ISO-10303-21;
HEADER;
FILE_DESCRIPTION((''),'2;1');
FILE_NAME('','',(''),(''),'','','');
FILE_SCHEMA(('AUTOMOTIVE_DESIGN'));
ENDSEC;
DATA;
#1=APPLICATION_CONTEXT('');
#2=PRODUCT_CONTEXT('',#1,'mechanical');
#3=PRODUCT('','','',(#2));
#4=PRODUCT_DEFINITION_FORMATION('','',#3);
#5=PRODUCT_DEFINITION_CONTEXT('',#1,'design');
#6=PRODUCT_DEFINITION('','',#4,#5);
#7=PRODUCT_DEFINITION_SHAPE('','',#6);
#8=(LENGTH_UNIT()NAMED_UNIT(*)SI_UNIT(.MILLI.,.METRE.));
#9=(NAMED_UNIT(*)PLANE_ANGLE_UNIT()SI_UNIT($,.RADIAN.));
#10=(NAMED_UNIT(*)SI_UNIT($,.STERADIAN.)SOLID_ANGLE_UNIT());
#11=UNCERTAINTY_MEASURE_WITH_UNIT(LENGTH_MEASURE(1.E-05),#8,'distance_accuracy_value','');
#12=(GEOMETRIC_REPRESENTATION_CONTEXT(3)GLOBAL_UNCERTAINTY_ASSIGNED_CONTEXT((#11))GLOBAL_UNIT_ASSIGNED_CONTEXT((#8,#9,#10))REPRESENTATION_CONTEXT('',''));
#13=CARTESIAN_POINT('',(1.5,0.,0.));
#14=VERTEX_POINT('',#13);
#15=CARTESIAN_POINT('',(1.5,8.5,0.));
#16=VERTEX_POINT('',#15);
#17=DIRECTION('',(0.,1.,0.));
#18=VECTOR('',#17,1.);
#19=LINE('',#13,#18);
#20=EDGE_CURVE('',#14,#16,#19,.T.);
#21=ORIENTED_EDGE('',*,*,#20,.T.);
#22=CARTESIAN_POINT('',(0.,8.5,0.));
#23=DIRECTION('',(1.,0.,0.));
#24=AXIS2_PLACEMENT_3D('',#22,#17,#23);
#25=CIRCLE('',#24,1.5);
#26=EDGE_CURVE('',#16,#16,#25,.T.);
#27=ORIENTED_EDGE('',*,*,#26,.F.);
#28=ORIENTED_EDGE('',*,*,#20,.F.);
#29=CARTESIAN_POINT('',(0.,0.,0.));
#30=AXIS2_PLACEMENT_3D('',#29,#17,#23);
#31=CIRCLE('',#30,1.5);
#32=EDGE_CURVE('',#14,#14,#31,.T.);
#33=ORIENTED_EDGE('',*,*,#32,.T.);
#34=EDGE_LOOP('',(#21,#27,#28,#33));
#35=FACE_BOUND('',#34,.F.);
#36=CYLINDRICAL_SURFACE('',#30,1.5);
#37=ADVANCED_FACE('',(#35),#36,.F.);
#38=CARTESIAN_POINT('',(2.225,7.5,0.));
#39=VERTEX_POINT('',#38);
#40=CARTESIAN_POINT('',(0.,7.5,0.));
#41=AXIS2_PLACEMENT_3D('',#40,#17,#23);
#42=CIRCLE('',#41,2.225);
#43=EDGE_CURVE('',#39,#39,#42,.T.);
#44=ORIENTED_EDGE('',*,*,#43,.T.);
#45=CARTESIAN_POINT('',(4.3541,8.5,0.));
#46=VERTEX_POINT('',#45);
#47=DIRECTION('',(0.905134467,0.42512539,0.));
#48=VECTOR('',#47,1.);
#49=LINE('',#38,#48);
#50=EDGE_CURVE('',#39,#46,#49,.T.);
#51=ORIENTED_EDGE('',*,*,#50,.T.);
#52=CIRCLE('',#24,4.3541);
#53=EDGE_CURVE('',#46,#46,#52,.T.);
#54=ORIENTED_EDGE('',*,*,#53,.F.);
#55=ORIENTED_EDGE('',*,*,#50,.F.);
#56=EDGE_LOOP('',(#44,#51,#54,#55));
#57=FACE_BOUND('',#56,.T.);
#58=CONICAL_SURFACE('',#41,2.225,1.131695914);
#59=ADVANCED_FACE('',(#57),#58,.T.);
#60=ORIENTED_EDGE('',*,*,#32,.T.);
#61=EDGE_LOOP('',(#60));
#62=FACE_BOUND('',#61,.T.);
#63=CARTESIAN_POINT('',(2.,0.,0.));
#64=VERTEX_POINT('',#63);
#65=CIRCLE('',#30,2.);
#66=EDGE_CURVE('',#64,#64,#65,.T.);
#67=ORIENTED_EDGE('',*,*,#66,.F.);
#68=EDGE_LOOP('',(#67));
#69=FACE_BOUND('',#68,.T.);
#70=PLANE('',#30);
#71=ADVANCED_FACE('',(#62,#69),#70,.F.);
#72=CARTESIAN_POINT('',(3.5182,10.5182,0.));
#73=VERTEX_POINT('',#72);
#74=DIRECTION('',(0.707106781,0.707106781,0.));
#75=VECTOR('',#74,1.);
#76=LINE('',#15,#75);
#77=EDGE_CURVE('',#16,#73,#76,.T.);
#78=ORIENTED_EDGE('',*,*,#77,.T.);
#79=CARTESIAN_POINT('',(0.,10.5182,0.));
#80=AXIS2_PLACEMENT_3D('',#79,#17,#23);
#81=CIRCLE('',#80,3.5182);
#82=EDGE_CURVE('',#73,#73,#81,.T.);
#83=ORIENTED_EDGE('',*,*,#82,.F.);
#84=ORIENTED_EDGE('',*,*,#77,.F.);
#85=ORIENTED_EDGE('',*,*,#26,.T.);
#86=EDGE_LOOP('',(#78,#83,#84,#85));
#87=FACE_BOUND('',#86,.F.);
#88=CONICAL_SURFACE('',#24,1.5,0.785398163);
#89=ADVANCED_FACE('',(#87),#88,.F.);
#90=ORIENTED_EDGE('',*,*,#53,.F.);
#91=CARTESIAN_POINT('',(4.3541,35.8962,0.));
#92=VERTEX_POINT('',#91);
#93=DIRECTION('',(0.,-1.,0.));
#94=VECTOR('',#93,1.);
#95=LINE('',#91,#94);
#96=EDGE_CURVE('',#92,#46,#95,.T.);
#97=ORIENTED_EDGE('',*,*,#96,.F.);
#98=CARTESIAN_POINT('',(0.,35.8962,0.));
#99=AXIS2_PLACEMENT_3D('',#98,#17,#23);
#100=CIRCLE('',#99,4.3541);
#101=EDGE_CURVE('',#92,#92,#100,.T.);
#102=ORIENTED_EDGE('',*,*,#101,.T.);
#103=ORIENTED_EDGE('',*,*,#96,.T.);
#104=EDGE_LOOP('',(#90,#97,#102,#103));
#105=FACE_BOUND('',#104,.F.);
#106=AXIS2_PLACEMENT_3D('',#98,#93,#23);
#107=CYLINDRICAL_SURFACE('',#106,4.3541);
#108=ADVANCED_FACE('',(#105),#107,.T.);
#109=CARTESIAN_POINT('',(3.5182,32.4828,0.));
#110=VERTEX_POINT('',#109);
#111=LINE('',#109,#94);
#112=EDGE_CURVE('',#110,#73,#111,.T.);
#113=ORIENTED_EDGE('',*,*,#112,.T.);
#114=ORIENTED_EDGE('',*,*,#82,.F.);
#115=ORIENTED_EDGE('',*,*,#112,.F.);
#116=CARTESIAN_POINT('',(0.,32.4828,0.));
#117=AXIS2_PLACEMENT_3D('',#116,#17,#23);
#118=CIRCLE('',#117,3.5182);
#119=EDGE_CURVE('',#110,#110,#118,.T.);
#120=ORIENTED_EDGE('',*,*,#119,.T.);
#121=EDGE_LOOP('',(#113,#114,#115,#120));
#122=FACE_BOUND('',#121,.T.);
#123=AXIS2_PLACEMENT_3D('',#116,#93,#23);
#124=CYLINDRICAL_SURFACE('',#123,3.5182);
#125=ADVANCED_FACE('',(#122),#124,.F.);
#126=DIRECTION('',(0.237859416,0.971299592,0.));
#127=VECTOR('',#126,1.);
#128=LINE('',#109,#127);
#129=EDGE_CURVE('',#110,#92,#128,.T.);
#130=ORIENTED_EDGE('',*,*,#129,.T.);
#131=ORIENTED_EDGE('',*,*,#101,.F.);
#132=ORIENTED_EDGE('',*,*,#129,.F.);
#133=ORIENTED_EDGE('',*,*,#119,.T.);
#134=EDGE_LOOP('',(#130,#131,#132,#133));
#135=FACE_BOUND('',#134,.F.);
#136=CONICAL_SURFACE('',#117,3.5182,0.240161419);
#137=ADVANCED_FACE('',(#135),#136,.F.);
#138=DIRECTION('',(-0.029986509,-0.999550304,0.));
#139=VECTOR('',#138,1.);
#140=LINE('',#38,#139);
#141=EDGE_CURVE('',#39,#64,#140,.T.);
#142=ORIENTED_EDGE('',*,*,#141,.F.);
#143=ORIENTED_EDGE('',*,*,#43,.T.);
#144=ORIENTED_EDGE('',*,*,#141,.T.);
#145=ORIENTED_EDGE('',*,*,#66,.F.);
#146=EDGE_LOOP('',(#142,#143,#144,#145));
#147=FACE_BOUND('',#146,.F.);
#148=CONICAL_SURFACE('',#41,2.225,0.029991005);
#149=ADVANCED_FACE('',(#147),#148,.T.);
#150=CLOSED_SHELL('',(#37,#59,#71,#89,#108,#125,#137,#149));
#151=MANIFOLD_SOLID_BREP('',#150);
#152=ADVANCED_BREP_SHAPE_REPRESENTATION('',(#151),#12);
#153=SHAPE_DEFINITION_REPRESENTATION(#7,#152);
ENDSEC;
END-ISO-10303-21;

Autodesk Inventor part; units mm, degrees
ref_plane "YZ Plane" through (0, 0, 0) normal (1, 0, 0) x (0, 1, 0)
ref_plane "XZ Plane" through (0, 0, 0) normal (0, 1, 0) x (-1, 0, 0)
ref_plane "XY Plane" through (0, 0, 0) normal (0, 0, 1) x (1, 0, 0)
sketch "Sketch1" plane through (0, 0, 0) normal (0, 0, 1) x (1, 0, 0)
  line L0 (0, 0) -> (2, 0)
  line L1 (2.225, 7.5) -> (2, 0)
  line L2 (2, 0) -> (1.5, 0)
  line L3 (1.5, 0) -> (1.5, 8.5)
  line L4 (2, 0) -> (1.5, 0)
  line L5 (0.1075, 35.8962) -> (4.3541, 35.8962) construction
  line L6 (3.5182, 32.4828) -> (4.3541, 35.8962)
  line L7 (3.5182, 32.4828) -> (28.4522, 32.4828) construction
  line L8 (1.5, 8.5) -> (3.5182, 10.5182)
  line L9 (1.5, 8.5) -> (4.3541, 8.5) construction
  line L10 (4.3541, 35.8962) -> (4.3541, 8.5)
  line L11 (2.225, 7.5) -> (4.3541, 8.5)
  line L12 (3.5182, 32.4828) -> (3.5182, 10.5182)
  line L13 (2, 0) -> (1.5, 0)
  line L14 (1.5, 0) -> (2, 0)
  line L15 (0, 0) -> (0, 42.8273)
  line L16 (0, 29.9682) -> (3.4162, 29.9682)
  dimension "d0" = 2
  dimension "d6" = 8.5
  dimension "d20" = 45
revolve "Revolution1" add sketch "Sketch1" angle 360 about axis through (0, 0, 0) along (0, 1, 0)
properties part number "Pipet to Needle-tighter"
